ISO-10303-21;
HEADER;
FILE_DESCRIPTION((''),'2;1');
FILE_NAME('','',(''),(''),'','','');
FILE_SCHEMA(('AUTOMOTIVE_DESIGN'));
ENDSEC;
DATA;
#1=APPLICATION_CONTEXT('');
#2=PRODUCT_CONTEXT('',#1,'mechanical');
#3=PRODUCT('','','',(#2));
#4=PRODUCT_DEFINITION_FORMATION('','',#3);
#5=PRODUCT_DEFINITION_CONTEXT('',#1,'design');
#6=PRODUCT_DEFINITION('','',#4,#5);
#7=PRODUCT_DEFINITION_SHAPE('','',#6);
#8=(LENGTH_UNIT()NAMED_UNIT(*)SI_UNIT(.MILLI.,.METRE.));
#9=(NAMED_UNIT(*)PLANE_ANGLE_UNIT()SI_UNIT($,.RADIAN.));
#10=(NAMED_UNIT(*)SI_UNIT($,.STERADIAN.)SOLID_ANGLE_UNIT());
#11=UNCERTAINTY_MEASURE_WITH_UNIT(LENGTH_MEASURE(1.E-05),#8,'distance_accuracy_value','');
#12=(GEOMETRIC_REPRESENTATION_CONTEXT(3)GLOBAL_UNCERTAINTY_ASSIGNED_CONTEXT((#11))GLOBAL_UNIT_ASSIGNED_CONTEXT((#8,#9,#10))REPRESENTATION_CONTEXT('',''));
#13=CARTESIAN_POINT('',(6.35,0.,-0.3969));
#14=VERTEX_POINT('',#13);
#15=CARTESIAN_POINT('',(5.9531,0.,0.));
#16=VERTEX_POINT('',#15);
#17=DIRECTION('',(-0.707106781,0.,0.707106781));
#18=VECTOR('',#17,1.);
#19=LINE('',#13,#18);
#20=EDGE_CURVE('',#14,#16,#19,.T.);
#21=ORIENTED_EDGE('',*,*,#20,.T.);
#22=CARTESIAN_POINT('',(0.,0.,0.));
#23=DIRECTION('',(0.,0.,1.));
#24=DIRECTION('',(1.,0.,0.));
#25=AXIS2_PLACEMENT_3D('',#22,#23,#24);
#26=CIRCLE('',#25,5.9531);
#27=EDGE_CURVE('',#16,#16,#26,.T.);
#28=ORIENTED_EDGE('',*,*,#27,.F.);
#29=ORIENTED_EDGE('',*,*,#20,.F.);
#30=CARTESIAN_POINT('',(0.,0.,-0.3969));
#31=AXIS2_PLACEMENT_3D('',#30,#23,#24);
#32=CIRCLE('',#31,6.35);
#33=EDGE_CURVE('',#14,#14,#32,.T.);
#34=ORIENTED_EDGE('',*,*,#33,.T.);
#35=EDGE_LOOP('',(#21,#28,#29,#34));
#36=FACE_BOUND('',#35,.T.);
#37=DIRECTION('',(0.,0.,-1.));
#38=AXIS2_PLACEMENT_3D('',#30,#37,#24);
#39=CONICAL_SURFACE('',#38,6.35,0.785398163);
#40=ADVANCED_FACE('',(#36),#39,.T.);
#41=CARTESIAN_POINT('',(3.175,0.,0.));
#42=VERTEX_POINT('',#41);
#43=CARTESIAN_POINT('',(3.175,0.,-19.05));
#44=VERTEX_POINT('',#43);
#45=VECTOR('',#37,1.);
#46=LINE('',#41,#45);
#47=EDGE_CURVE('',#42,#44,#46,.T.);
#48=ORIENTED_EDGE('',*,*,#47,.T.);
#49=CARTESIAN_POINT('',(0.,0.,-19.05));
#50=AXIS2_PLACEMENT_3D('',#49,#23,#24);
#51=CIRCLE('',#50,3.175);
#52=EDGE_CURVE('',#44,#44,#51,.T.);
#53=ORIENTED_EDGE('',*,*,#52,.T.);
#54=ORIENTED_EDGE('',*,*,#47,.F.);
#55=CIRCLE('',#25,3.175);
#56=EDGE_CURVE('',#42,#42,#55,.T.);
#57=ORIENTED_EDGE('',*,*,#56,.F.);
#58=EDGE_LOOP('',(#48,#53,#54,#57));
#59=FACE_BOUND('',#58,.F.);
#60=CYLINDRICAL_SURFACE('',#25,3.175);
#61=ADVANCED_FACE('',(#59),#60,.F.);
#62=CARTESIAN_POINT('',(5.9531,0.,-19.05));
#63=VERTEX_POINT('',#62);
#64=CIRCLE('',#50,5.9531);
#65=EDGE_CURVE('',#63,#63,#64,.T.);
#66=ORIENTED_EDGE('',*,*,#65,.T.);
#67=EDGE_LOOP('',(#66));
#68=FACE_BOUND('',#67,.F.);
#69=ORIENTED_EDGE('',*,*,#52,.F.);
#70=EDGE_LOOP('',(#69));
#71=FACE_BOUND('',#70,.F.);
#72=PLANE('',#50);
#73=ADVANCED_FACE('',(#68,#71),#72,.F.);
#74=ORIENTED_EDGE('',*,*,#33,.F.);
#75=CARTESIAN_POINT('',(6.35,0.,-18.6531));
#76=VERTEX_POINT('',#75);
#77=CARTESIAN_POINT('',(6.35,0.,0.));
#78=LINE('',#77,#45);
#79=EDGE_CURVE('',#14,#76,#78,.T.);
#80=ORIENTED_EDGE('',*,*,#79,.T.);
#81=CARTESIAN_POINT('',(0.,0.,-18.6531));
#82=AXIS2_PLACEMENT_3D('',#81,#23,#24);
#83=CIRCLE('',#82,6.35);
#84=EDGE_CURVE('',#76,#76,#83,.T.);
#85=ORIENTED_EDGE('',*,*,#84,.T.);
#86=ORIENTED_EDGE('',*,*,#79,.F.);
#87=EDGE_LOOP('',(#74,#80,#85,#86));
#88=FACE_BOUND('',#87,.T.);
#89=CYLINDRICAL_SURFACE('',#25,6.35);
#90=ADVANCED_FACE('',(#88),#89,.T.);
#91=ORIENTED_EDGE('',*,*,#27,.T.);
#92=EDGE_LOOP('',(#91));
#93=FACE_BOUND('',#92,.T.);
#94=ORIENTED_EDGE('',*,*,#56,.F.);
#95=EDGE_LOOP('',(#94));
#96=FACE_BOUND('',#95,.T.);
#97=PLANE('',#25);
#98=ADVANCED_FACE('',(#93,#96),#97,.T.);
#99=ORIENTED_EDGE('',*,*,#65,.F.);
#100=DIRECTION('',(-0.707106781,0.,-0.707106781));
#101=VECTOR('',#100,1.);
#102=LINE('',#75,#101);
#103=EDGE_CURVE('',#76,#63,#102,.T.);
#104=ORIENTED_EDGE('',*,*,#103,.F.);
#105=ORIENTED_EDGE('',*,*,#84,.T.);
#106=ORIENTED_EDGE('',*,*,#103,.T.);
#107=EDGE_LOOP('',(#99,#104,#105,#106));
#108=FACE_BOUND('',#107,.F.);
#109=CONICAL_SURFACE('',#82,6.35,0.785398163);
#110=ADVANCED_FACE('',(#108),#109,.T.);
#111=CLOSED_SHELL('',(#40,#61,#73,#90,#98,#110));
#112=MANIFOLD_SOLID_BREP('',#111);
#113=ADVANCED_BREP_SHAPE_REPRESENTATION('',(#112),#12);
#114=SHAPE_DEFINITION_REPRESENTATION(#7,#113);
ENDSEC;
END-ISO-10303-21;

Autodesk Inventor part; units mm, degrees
ref_plane "YZ Plane" through (0, 0, 0) normal (1, 0, 0) x (0, 1, 0)
ref_plane "XZ Plane" through (0, 0, 0) normal (0, 1, 0) x (-1, 0, 0)
ref_plane "XY Plane" through (0, 0, 0) normal (0, 0, 1) x (1, 0, 0)
sketch "Sketch1" plane through (0, 0, 0) normal (0, 0, 1) x (1, 0, 0)
  circle A0 centre (0, 0) radius 3.175
  circle A1 centre (0, 0) radius 6.35
  dimension "d0" = 6.35
  dimension "d1" = 12.7
extrude "Extrusion1" add sketch "Sketch1" against normal blind 19.05
chamfer "Chamfer1" distance 0.3969 angle 45 2 edges at (-6.35, 0, 0) (-6.35, 0, -19.05)
properties part number "lexan stop bolt spacer"
